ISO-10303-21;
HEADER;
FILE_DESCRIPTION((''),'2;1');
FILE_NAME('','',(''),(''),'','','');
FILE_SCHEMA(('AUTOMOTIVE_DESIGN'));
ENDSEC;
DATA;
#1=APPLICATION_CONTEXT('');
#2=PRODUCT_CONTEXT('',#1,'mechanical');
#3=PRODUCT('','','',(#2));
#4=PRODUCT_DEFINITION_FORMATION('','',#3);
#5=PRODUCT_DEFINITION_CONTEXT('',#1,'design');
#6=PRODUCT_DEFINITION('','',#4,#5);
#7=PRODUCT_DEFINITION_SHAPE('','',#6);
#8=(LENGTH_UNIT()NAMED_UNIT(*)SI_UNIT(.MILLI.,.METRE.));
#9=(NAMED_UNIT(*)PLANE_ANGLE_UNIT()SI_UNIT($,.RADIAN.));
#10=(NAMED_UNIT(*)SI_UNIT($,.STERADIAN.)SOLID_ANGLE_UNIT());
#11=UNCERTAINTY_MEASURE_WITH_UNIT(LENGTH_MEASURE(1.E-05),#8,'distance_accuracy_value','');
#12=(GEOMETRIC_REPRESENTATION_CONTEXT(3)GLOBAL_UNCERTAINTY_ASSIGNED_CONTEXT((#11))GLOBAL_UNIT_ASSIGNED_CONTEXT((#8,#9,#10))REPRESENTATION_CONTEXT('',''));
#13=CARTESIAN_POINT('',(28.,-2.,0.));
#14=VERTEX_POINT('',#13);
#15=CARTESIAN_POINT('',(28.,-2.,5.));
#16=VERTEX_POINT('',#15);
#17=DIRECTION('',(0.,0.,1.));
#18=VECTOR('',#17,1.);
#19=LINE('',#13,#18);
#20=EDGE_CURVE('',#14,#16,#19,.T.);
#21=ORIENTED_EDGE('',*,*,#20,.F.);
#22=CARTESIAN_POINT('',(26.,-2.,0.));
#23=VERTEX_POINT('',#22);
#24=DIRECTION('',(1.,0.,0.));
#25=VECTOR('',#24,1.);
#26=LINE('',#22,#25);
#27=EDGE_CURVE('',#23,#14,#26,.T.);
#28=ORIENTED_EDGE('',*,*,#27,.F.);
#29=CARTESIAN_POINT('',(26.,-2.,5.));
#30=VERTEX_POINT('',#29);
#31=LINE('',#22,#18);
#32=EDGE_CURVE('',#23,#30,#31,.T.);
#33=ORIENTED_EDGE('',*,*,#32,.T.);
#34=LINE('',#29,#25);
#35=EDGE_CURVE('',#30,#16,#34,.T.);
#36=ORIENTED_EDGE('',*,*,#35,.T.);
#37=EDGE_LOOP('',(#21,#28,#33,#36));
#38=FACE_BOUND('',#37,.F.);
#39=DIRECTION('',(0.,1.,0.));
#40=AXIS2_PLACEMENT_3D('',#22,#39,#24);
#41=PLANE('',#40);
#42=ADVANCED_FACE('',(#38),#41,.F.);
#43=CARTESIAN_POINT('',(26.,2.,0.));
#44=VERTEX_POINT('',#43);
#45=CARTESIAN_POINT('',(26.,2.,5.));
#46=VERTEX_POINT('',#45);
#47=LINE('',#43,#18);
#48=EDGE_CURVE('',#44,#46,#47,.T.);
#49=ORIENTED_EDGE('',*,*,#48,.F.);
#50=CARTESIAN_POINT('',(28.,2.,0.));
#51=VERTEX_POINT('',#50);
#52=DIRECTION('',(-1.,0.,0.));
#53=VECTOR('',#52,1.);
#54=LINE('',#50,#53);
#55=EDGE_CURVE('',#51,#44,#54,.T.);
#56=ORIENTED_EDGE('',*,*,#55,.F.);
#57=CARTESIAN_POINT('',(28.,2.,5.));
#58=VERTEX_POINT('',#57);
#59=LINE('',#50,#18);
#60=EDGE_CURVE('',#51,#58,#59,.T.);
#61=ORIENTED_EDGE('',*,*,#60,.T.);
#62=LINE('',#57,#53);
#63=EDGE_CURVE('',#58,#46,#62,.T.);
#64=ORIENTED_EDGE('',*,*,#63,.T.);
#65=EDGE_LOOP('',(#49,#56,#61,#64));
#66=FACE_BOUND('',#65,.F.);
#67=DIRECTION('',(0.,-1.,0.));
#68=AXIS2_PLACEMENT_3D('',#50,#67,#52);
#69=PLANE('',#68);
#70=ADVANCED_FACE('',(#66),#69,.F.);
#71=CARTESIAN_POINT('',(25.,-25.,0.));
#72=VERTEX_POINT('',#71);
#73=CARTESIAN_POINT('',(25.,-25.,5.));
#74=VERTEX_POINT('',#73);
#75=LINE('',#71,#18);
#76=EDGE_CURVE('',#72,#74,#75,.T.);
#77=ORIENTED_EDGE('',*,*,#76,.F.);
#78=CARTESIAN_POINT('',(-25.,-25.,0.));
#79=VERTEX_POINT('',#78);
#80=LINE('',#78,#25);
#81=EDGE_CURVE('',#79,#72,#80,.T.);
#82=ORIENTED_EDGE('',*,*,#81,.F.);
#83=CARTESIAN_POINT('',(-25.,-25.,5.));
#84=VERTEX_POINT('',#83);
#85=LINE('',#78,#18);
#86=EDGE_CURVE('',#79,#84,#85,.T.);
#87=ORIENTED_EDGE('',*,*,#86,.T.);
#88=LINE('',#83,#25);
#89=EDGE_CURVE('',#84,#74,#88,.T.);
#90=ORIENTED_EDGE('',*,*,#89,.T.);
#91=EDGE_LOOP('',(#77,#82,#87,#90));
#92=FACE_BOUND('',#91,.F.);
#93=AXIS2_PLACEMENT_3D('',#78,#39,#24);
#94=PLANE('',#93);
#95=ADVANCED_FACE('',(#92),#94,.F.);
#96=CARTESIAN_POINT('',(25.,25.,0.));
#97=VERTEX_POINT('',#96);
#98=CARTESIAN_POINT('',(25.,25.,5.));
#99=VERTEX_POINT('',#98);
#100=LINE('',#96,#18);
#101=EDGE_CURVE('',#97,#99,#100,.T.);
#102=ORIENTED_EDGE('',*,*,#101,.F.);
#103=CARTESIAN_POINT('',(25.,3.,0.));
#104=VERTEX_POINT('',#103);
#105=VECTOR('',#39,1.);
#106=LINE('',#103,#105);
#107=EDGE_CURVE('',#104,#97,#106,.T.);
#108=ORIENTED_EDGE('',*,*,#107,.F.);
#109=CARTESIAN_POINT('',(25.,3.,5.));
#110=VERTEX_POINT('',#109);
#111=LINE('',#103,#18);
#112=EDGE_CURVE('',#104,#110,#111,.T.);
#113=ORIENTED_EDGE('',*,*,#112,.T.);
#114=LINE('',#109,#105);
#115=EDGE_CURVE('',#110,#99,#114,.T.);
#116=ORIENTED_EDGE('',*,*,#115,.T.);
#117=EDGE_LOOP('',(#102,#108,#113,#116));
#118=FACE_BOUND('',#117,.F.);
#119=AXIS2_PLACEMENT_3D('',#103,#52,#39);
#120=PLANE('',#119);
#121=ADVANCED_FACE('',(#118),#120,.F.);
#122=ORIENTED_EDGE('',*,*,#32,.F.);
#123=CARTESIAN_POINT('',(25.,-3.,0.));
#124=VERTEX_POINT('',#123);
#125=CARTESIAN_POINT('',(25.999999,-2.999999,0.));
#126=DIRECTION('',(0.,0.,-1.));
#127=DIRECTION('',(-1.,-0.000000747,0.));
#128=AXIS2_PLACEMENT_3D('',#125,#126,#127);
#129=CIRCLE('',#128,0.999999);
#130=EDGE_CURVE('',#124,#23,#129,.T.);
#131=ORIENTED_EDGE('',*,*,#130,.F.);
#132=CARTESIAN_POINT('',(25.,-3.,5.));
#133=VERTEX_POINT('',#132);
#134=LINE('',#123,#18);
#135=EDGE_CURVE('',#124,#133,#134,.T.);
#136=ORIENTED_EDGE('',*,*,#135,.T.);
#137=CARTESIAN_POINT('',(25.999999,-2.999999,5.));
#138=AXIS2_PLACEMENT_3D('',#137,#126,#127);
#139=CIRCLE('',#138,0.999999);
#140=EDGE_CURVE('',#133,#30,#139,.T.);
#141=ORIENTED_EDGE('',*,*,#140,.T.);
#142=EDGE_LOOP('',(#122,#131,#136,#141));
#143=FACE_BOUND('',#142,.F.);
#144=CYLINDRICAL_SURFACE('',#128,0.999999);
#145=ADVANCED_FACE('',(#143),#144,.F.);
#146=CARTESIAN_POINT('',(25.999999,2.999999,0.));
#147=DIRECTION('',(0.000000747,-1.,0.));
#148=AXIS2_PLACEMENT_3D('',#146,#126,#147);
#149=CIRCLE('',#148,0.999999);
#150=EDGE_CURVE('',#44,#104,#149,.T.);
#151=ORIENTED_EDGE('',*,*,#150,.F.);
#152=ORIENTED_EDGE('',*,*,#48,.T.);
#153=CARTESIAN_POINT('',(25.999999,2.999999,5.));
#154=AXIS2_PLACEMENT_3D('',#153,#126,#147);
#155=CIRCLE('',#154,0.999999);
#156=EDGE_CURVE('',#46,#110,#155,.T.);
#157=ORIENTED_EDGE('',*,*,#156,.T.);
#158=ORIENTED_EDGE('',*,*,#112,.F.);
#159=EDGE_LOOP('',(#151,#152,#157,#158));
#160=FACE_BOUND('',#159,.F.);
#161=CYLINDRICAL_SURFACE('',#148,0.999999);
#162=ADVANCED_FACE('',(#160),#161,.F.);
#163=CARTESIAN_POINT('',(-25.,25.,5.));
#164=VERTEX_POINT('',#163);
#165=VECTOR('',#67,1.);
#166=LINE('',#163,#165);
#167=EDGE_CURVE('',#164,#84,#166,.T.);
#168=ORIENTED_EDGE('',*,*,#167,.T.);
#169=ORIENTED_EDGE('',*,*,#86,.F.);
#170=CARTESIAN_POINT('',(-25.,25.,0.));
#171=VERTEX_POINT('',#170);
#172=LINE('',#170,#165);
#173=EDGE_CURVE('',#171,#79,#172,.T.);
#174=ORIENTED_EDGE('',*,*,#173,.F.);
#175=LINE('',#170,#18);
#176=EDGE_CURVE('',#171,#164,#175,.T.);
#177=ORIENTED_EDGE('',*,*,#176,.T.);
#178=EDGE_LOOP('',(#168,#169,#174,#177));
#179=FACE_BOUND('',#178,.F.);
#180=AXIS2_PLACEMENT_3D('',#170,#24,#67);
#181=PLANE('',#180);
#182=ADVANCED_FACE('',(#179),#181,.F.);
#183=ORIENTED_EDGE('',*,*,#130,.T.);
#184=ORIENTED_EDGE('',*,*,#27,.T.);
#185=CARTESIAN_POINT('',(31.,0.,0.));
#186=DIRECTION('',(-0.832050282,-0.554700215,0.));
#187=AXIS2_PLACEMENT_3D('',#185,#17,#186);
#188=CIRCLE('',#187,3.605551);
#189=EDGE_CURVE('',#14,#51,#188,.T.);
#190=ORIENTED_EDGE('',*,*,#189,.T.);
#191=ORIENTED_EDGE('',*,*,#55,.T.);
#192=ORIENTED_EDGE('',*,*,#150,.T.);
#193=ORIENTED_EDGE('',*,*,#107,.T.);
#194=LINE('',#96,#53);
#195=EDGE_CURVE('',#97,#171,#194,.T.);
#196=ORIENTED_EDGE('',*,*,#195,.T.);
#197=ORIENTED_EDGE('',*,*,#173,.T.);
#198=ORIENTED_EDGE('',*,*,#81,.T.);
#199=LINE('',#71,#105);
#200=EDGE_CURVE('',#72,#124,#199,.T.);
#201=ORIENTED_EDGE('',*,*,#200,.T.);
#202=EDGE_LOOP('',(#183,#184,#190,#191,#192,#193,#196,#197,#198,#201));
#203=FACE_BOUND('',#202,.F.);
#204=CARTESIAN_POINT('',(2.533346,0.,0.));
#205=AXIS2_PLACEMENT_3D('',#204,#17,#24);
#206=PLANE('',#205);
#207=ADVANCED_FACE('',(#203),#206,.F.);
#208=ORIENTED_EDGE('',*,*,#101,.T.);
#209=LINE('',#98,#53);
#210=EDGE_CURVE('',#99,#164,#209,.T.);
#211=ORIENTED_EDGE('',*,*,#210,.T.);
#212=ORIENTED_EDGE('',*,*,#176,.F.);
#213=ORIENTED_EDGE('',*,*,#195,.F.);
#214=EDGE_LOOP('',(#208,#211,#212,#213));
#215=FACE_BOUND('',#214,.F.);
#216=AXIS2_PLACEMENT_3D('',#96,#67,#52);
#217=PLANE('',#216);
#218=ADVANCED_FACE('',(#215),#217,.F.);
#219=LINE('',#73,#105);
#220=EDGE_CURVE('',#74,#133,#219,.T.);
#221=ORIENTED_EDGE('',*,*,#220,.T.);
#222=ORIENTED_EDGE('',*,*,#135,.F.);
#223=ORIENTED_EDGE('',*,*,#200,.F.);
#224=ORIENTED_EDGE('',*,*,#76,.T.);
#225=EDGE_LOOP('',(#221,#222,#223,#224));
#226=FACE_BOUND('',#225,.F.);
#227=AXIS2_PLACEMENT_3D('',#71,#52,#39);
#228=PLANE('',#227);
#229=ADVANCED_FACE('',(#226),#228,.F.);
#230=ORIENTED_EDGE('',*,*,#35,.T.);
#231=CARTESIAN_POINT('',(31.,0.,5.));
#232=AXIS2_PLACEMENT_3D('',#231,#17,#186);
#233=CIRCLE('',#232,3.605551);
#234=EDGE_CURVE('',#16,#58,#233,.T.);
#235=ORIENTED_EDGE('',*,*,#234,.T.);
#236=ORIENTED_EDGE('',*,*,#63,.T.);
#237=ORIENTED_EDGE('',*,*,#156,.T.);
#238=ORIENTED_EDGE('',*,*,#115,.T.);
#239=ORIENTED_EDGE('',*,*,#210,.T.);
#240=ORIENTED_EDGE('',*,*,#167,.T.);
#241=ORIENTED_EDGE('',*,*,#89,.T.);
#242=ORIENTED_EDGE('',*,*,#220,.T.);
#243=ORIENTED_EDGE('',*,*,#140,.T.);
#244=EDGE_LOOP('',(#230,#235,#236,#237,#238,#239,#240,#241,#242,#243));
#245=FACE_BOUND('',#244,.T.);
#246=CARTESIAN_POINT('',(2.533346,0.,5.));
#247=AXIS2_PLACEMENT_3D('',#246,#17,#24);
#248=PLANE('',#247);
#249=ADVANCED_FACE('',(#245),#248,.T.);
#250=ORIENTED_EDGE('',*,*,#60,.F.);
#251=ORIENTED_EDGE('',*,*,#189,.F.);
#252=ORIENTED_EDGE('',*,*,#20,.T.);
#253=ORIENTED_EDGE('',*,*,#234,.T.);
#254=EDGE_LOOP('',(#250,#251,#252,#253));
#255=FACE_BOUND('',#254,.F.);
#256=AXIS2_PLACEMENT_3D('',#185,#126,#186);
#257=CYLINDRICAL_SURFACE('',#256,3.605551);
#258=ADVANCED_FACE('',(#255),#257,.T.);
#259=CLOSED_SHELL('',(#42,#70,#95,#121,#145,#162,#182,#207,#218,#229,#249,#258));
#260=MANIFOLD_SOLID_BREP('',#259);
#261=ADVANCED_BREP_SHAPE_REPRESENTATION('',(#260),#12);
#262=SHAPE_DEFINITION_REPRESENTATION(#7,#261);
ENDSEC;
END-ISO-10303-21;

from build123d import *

# Parameters (mm, degrees)
F1_DEPTH = 5


with BuildPart() as f1:
    # F0 (on Top) → F1 (new body)
    with BuildSketch(Plane.XY):
        with BuildLine():
            Line((25, 3), (25, 25))
            Line((25, 25), (-25, 25))
            Line((-25, 25), (-25, -25))
            Line((-25, -25), (25, -25))
            Line((25, -25), (25, -3))
            ThreePointArc((25, -3), (25.292893, -2.292893), (26, -2))
            Line((26, -2), (28, -2))
            ThreePointArc((28, -2), (34.605551, 0), (28, 2))
            Line((28, 2), (26, 2))
            ThreePointArc((26, 2), (25.292893, 2.292893), (25, 3))
        make_face()
    extrude(amount=F1_DEPTH)


solid = f1.part
